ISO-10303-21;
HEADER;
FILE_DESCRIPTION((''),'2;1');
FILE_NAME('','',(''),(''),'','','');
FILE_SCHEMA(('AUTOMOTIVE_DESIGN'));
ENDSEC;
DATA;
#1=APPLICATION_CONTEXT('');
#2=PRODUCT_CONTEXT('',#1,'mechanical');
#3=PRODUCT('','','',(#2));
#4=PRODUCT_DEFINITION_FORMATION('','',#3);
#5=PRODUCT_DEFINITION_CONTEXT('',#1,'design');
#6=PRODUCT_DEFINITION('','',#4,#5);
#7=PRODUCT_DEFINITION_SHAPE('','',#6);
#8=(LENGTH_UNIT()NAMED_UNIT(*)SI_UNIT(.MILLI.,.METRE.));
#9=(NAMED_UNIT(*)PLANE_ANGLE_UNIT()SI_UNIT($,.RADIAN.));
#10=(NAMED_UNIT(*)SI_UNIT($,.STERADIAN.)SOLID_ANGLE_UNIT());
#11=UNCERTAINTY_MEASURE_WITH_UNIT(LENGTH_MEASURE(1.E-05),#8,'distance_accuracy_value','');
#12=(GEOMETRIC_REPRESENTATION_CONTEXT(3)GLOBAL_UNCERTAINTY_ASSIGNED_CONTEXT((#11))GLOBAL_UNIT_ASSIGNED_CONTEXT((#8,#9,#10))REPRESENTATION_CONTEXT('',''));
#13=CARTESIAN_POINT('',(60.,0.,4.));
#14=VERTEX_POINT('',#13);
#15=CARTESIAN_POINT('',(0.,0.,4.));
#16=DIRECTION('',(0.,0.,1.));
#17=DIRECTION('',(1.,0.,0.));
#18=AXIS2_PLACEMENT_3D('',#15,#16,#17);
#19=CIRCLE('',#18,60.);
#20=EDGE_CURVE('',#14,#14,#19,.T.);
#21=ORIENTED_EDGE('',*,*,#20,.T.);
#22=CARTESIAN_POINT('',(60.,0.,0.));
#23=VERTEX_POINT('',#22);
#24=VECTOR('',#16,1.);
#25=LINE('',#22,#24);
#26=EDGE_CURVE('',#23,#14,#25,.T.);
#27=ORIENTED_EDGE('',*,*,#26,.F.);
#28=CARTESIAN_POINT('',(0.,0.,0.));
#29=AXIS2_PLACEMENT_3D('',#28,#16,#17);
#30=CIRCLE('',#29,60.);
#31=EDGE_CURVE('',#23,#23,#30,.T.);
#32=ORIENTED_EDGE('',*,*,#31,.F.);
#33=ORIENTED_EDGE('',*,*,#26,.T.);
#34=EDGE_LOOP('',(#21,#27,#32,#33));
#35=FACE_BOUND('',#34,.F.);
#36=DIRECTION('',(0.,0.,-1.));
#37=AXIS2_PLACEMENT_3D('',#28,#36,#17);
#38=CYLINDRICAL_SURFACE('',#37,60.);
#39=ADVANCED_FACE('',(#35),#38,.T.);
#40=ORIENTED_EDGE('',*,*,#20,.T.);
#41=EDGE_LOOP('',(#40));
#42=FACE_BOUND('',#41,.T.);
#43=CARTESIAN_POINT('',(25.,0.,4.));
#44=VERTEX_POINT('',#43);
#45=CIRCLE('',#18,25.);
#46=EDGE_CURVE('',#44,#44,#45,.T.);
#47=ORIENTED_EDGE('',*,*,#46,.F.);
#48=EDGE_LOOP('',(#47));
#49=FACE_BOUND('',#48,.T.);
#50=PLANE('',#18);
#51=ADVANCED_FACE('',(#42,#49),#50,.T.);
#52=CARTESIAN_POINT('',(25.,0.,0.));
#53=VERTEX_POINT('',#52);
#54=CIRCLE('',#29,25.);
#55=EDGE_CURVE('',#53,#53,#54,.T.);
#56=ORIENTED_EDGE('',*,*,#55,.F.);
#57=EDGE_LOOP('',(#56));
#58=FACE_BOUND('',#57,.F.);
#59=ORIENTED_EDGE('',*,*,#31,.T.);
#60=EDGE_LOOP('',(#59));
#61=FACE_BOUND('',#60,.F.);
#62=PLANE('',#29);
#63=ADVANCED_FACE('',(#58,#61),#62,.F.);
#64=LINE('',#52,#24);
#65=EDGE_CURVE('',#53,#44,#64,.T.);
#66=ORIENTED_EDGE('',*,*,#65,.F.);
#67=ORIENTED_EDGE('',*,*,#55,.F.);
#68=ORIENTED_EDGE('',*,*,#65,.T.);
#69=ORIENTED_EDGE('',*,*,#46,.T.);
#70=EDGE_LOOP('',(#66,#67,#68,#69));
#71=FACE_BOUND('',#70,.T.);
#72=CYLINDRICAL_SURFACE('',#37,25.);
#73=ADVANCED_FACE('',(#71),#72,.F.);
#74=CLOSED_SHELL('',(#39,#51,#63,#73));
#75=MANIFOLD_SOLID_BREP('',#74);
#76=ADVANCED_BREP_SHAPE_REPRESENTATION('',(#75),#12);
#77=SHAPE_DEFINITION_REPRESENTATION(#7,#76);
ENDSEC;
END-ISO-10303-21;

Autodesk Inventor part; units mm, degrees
ref_plane "YZ Plane" through (0, 0, 0) normal (1, 0, 0) x (0, 1, 0)
ref_plane "XZ Plane" through (0, 0, 0) normal (0, 1, 0) x (-1, 0, 0)
ref_plane "XY Plane" through (0, 0, 0) normal (0, 0, 1) x (1, 0, 0)
sketch "Эскиз1" plane through (0, 0, 0) normal (0, 0, 1) x (1, 0, 0)
  circle A0 centre (0, 0) radius 25
  circle A1 centre (0, 0) radius 60
  dimension "d0" = 50
  dimension "d1" = 120
extrude "Выдавливание1" add sketch "Эскиз1" along normal blind 4
properties part number "Бортик катушки"
